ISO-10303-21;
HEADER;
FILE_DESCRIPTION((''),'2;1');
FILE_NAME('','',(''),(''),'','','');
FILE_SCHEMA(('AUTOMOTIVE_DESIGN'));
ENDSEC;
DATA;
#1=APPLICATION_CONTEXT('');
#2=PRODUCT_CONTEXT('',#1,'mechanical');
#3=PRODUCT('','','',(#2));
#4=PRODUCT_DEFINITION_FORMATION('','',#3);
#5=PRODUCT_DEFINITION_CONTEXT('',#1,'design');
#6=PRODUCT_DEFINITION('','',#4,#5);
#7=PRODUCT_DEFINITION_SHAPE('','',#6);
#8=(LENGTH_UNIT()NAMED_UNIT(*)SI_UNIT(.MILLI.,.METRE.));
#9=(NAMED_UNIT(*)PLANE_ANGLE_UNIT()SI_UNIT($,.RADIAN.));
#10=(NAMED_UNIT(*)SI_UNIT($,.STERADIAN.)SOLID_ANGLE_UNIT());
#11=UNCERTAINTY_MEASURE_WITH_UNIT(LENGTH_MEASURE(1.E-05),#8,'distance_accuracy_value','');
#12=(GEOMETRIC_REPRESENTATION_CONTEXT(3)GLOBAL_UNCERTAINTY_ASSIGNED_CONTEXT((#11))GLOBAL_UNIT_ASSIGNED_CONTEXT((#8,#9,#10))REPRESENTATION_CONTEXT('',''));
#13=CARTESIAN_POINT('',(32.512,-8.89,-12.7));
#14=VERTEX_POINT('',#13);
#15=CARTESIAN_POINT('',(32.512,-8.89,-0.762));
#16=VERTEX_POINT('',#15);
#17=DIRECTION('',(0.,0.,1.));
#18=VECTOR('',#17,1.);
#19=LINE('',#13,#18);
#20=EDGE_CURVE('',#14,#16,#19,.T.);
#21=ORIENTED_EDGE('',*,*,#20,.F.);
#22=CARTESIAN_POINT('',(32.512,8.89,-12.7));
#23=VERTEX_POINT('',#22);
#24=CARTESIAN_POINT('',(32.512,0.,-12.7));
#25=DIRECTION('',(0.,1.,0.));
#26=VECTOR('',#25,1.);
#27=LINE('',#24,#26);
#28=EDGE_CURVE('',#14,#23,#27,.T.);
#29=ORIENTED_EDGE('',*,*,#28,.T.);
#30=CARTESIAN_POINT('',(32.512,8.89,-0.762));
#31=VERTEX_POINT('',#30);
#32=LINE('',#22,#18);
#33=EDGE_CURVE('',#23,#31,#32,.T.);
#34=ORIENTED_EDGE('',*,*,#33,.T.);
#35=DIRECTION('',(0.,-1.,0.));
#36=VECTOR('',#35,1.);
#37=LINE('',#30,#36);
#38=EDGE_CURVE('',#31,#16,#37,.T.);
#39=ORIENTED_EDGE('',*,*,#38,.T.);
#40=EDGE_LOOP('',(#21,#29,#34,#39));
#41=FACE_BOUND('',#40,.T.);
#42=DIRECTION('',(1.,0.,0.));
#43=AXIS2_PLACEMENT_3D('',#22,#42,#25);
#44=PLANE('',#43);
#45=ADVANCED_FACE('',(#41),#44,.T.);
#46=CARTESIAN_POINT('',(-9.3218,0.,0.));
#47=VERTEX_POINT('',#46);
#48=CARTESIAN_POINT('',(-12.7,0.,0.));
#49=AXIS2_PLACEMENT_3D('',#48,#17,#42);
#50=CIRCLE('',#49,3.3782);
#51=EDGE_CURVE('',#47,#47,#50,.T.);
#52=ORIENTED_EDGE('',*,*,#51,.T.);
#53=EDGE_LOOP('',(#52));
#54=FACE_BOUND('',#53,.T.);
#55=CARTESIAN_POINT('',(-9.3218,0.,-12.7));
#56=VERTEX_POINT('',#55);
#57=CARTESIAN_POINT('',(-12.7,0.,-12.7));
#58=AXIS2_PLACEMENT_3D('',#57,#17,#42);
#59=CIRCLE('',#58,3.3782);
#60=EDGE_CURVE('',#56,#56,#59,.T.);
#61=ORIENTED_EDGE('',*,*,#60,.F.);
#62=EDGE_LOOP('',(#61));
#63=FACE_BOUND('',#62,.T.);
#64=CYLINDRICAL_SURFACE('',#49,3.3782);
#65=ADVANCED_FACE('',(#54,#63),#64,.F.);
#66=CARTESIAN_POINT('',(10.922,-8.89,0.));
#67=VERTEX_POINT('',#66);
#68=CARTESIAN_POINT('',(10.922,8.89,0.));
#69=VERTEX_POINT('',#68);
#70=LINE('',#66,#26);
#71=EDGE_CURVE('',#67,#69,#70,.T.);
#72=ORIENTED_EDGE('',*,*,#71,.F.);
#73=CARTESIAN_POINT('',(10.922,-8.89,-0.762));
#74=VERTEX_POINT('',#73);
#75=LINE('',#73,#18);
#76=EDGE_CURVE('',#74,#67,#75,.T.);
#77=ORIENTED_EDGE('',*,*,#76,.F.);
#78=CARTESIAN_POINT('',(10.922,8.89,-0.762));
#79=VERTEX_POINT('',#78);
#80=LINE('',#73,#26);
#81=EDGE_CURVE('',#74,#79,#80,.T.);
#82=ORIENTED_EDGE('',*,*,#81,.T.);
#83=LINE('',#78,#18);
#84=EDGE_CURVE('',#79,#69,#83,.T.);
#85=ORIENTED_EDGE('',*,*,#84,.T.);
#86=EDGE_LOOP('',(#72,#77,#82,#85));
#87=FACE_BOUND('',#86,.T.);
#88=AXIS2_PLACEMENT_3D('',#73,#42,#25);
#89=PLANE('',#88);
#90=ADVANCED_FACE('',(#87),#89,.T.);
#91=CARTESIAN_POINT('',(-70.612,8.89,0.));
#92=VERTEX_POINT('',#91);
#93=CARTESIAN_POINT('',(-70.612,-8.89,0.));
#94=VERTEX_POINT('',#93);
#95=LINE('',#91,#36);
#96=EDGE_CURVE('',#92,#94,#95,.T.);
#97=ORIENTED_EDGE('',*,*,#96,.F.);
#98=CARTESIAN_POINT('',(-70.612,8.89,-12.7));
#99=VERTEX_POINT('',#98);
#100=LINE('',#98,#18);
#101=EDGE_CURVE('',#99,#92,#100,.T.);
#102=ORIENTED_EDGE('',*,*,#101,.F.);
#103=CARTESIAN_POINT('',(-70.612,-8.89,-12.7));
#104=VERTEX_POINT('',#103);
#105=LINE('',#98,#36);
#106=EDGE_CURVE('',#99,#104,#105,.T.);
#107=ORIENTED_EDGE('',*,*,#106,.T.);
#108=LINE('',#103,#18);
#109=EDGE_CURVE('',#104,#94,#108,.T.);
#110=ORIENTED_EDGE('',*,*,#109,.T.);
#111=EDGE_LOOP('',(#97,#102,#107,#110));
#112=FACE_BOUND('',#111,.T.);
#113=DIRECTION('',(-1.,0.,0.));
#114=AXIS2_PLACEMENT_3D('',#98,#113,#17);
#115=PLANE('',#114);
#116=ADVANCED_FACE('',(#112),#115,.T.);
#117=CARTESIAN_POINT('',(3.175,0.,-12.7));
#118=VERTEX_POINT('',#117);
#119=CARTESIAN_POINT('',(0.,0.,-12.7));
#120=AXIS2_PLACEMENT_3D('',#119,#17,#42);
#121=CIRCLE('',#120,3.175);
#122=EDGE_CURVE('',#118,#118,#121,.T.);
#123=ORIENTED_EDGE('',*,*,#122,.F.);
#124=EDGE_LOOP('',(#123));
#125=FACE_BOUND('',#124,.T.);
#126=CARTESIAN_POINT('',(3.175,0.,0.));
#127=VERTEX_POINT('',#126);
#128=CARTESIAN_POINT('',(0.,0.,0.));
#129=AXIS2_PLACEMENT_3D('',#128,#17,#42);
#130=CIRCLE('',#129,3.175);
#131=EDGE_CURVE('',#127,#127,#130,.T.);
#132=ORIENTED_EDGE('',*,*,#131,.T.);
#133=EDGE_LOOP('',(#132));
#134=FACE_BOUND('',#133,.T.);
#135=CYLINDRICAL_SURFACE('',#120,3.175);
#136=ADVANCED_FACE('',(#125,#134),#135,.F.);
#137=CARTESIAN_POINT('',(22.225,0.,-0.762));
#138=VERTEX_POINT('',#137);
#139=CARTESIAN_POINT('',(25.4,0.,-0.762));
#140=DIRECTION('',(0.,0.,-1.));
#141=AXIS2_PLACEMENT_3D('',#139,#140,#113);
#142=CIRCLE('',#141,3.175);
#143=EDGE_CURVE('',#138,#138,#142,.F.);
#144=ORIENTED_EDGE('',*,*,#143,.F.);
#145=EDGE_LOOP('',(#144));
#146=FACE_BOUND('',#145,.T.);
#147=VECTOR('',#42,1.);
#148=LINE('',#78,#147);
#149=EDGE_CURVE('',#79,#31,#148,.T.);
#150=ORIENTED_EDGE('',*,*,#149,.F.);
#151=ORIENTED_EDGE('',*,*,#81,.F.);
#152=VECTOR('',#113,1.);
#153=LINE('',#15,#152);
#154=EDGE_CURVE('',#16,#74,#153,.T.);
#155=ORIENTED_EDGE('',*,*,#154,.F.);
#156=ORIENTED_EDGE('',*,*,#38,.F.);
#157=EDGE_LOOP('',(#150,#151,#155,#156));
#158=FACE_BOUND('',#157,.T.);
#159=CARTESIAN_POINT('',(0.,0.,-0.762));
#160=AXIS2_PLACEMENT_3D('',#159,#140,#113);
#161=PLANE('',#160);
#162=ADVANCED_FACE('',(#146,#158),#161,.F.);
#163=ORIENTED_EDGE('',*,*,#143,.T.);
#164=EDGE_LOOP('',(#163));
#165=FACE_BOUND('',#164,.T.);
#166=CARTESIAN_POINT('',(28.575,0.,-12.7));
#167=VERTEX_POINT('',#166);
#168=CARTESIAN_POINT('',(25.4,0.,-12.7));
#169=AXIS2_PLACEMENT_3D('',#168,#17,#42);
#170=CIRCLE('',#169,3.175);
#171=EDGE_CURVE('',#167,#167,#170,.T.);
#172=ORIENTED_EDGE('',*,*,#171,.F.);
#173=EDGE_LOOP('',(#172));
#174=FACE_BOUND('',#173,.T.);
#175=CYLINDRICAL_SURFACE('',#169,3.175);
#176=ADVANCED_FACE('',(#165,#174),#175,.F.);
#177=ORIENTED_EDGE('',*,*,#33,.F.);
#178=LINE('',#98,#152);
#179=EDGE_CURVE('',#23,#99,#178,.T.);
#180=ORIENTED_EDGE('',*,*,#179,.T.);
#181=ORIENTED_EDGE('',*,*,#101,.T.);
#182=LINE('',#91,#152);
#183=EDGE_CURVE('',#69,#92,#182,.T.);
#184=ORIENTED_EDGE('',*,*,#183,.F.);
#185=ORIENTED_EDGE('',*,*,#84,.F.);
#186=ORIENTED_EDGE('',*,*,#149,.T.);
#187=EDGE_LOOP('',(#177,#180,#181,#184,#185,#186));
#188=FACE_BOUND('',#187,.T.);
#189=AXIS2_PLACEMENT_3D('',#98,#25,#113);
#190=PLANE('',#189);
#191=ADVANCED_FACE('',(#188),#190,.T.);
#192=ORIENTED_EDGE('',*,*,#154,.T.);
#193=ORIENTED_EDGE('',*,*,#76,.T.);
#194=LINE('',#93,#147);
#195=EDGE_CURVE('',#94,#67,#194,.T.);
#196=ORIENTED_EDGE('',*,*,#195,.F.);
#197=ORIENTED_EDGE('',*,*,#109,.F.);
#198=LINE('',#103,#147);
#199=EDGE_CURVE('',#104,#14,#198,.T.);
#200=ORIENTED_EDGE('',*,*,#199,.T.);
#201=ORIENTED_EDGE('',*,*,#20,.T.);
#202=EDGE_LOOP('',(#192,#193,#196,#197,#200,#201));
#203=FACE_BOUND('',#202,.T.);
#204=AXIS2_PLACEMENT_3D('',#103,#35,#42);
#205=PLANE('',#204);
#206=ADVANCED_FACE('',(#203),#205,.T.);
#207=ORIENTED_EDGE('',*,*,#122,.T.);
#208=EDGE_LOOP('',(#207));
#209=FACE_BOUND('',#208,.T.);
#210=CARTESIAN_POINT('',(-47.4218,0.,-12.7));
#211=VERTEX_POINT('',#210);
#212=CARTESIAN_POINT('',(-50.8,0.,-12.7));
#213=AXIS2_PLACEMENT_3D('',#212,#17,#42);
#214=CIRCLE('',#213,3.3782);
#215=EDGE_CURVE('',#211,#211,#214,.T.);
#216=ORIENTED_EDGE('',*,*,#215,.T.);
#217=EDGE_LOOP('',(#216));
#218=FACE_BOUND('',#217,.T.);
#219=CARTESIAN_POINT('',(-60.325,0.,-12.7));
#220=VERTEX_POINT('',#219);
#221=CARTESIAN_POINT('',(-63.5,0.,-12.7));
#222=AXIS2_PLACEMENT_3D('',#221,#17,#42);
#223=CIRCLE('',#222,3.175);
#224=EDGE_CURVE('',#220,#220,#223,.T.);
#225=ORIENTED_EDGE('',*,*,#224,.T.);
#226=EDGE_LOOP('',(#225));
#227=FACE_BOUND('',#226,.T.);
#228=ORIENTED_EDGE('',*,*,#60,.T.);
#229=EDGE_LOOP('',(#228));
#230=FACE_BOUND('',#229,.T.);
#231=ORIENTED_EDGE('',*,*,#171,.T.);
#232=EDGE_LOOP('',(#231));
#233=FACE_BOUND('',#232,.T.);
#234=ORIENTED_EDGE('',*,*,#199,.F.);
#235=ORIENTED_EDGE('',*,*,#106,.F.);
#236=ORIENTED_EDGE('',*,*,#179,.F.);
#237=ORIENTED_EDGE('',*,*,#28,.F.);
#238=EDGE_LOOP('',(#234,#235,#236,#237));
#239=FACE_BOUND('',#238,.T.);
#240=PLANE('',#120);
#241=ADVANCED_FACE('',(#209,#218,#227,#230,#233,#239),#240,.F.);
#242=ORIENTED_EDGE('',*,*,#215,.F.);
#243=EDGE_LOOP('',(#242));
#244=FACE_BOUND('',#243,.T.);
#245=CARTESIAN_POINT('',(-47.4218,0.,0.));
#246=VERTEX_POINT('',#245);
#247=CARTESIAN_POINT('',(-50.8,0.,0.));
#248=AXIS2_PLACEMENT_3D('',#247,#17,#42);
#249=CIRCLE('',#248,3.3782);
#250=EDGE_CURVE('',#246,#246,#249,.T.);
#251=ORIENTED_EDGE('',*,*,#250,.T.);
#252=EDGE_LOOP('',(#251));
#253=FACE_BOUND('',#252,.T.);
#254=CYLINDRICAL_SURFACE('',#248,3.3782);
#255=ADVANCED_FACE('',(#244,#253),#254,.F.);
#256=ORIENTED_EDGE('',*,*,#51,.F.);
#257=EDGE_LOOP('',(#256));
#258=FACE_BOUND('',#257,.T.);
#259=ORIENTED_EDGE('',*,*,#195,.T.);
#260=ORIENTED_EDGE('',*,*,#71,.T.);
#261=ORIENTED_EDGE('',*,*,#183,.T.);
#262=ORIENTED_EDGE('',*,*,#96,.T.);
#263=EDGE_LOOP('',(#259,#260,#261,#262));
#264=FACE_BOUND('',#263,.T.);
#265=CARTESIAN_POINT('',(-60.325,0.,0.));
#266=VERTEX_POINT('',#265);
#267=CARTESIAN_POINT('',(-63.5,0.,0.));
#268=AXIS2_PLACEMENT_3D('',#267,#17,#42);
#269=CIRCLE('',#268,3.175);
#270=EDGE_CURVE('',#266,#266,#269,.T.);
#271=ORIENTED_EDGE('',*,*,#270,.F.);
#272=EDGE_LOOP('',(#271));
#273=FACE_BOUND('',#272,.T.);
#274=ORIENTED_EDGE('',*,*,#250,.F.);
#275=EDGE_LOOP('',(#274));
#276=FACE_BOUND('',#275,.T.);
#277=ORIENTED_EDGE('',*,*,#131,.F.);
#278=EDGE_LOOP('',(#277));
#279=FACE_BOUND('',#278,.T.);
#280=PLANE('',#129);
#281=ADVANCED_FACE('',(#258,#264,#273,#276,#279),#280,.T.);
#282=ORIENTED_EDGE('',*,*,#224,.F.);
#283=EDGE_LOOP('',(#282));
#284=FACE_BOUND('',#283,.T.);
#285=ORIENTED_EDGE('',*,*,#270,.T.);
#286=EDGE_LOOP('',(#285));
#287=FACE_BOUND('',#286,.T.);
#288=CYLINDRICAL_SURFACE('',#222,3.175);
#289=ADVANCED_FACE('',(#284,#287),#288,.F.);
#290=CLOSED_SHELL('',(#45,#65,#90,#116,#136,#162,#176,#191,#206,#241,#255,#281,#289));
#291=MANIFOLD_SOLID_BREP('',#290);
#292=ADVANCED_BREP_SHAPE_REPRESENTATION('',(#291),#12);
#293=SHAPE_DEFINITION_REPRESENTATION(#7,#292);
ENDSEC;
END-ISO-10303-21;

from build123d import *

# Parameters (mm, degrees)
SKETCH_R                    = 3.175
BOSS_EXTRUDE1_DEPTH         = 12.7
SKETCH3_W                   = 21.59
SKETCH3_H                   = 17.78
CUT_EXTRUDE1_DEPTH          = 0.762
F_1_4_CLEARANCE_HOLE1_D     = 6.7564
F_1_4_CLEARANCE_HOLE1_DEPTH = 12.7


with BuildPart() as part:
    # Sketch → Boss-Extrude1 (new body)
    with BuildSketch(Plane.XY):
        Polygon((-70.612, 8.89), (32.512, 8.89), (32.512, 0), (32.512, -8.89), (-70.612, -8.89), align=None)
        with Locations((-63.5, 0)):
            Circle(SKETCH_R, mode=Mode.SUBTRACT)
        Circle(SKETCH_R, mode=Mode.SUBTRACT)
        with Locations((25.4, 0)):
            Circle(SKETCH_R, mode=Mode.SUBTRACT)
    extrude(amount=-BOSS_EXTRUDE1_DEPTH)

    # Sketch3 → Cut-Extrude1 (cut)
    with BuildSketch(Plane(origin=(0, 0, 0), x_dir=(-1, 0, 0), z_dir=(0, 0, -1))):
        with Locations((-21.717, 0)):
            Rectangle(SKETCH3_W, SKETCH3_H)
    extrude(amount=CUT_EXTRUDE1_DEPTH, mode=Mode.SUBTRACT)

    # 1/4 Clearance Hole1
    with Locations(Plane.XY):
        with Locations((-50.8, 0), (-12.7, 0)):
            Hole(F_1_4_CLEARANCE_HOLE1_D / 2, depth=F_1_4_CLEARANCE_HOLE1_DEPTH)


solid = part.part
